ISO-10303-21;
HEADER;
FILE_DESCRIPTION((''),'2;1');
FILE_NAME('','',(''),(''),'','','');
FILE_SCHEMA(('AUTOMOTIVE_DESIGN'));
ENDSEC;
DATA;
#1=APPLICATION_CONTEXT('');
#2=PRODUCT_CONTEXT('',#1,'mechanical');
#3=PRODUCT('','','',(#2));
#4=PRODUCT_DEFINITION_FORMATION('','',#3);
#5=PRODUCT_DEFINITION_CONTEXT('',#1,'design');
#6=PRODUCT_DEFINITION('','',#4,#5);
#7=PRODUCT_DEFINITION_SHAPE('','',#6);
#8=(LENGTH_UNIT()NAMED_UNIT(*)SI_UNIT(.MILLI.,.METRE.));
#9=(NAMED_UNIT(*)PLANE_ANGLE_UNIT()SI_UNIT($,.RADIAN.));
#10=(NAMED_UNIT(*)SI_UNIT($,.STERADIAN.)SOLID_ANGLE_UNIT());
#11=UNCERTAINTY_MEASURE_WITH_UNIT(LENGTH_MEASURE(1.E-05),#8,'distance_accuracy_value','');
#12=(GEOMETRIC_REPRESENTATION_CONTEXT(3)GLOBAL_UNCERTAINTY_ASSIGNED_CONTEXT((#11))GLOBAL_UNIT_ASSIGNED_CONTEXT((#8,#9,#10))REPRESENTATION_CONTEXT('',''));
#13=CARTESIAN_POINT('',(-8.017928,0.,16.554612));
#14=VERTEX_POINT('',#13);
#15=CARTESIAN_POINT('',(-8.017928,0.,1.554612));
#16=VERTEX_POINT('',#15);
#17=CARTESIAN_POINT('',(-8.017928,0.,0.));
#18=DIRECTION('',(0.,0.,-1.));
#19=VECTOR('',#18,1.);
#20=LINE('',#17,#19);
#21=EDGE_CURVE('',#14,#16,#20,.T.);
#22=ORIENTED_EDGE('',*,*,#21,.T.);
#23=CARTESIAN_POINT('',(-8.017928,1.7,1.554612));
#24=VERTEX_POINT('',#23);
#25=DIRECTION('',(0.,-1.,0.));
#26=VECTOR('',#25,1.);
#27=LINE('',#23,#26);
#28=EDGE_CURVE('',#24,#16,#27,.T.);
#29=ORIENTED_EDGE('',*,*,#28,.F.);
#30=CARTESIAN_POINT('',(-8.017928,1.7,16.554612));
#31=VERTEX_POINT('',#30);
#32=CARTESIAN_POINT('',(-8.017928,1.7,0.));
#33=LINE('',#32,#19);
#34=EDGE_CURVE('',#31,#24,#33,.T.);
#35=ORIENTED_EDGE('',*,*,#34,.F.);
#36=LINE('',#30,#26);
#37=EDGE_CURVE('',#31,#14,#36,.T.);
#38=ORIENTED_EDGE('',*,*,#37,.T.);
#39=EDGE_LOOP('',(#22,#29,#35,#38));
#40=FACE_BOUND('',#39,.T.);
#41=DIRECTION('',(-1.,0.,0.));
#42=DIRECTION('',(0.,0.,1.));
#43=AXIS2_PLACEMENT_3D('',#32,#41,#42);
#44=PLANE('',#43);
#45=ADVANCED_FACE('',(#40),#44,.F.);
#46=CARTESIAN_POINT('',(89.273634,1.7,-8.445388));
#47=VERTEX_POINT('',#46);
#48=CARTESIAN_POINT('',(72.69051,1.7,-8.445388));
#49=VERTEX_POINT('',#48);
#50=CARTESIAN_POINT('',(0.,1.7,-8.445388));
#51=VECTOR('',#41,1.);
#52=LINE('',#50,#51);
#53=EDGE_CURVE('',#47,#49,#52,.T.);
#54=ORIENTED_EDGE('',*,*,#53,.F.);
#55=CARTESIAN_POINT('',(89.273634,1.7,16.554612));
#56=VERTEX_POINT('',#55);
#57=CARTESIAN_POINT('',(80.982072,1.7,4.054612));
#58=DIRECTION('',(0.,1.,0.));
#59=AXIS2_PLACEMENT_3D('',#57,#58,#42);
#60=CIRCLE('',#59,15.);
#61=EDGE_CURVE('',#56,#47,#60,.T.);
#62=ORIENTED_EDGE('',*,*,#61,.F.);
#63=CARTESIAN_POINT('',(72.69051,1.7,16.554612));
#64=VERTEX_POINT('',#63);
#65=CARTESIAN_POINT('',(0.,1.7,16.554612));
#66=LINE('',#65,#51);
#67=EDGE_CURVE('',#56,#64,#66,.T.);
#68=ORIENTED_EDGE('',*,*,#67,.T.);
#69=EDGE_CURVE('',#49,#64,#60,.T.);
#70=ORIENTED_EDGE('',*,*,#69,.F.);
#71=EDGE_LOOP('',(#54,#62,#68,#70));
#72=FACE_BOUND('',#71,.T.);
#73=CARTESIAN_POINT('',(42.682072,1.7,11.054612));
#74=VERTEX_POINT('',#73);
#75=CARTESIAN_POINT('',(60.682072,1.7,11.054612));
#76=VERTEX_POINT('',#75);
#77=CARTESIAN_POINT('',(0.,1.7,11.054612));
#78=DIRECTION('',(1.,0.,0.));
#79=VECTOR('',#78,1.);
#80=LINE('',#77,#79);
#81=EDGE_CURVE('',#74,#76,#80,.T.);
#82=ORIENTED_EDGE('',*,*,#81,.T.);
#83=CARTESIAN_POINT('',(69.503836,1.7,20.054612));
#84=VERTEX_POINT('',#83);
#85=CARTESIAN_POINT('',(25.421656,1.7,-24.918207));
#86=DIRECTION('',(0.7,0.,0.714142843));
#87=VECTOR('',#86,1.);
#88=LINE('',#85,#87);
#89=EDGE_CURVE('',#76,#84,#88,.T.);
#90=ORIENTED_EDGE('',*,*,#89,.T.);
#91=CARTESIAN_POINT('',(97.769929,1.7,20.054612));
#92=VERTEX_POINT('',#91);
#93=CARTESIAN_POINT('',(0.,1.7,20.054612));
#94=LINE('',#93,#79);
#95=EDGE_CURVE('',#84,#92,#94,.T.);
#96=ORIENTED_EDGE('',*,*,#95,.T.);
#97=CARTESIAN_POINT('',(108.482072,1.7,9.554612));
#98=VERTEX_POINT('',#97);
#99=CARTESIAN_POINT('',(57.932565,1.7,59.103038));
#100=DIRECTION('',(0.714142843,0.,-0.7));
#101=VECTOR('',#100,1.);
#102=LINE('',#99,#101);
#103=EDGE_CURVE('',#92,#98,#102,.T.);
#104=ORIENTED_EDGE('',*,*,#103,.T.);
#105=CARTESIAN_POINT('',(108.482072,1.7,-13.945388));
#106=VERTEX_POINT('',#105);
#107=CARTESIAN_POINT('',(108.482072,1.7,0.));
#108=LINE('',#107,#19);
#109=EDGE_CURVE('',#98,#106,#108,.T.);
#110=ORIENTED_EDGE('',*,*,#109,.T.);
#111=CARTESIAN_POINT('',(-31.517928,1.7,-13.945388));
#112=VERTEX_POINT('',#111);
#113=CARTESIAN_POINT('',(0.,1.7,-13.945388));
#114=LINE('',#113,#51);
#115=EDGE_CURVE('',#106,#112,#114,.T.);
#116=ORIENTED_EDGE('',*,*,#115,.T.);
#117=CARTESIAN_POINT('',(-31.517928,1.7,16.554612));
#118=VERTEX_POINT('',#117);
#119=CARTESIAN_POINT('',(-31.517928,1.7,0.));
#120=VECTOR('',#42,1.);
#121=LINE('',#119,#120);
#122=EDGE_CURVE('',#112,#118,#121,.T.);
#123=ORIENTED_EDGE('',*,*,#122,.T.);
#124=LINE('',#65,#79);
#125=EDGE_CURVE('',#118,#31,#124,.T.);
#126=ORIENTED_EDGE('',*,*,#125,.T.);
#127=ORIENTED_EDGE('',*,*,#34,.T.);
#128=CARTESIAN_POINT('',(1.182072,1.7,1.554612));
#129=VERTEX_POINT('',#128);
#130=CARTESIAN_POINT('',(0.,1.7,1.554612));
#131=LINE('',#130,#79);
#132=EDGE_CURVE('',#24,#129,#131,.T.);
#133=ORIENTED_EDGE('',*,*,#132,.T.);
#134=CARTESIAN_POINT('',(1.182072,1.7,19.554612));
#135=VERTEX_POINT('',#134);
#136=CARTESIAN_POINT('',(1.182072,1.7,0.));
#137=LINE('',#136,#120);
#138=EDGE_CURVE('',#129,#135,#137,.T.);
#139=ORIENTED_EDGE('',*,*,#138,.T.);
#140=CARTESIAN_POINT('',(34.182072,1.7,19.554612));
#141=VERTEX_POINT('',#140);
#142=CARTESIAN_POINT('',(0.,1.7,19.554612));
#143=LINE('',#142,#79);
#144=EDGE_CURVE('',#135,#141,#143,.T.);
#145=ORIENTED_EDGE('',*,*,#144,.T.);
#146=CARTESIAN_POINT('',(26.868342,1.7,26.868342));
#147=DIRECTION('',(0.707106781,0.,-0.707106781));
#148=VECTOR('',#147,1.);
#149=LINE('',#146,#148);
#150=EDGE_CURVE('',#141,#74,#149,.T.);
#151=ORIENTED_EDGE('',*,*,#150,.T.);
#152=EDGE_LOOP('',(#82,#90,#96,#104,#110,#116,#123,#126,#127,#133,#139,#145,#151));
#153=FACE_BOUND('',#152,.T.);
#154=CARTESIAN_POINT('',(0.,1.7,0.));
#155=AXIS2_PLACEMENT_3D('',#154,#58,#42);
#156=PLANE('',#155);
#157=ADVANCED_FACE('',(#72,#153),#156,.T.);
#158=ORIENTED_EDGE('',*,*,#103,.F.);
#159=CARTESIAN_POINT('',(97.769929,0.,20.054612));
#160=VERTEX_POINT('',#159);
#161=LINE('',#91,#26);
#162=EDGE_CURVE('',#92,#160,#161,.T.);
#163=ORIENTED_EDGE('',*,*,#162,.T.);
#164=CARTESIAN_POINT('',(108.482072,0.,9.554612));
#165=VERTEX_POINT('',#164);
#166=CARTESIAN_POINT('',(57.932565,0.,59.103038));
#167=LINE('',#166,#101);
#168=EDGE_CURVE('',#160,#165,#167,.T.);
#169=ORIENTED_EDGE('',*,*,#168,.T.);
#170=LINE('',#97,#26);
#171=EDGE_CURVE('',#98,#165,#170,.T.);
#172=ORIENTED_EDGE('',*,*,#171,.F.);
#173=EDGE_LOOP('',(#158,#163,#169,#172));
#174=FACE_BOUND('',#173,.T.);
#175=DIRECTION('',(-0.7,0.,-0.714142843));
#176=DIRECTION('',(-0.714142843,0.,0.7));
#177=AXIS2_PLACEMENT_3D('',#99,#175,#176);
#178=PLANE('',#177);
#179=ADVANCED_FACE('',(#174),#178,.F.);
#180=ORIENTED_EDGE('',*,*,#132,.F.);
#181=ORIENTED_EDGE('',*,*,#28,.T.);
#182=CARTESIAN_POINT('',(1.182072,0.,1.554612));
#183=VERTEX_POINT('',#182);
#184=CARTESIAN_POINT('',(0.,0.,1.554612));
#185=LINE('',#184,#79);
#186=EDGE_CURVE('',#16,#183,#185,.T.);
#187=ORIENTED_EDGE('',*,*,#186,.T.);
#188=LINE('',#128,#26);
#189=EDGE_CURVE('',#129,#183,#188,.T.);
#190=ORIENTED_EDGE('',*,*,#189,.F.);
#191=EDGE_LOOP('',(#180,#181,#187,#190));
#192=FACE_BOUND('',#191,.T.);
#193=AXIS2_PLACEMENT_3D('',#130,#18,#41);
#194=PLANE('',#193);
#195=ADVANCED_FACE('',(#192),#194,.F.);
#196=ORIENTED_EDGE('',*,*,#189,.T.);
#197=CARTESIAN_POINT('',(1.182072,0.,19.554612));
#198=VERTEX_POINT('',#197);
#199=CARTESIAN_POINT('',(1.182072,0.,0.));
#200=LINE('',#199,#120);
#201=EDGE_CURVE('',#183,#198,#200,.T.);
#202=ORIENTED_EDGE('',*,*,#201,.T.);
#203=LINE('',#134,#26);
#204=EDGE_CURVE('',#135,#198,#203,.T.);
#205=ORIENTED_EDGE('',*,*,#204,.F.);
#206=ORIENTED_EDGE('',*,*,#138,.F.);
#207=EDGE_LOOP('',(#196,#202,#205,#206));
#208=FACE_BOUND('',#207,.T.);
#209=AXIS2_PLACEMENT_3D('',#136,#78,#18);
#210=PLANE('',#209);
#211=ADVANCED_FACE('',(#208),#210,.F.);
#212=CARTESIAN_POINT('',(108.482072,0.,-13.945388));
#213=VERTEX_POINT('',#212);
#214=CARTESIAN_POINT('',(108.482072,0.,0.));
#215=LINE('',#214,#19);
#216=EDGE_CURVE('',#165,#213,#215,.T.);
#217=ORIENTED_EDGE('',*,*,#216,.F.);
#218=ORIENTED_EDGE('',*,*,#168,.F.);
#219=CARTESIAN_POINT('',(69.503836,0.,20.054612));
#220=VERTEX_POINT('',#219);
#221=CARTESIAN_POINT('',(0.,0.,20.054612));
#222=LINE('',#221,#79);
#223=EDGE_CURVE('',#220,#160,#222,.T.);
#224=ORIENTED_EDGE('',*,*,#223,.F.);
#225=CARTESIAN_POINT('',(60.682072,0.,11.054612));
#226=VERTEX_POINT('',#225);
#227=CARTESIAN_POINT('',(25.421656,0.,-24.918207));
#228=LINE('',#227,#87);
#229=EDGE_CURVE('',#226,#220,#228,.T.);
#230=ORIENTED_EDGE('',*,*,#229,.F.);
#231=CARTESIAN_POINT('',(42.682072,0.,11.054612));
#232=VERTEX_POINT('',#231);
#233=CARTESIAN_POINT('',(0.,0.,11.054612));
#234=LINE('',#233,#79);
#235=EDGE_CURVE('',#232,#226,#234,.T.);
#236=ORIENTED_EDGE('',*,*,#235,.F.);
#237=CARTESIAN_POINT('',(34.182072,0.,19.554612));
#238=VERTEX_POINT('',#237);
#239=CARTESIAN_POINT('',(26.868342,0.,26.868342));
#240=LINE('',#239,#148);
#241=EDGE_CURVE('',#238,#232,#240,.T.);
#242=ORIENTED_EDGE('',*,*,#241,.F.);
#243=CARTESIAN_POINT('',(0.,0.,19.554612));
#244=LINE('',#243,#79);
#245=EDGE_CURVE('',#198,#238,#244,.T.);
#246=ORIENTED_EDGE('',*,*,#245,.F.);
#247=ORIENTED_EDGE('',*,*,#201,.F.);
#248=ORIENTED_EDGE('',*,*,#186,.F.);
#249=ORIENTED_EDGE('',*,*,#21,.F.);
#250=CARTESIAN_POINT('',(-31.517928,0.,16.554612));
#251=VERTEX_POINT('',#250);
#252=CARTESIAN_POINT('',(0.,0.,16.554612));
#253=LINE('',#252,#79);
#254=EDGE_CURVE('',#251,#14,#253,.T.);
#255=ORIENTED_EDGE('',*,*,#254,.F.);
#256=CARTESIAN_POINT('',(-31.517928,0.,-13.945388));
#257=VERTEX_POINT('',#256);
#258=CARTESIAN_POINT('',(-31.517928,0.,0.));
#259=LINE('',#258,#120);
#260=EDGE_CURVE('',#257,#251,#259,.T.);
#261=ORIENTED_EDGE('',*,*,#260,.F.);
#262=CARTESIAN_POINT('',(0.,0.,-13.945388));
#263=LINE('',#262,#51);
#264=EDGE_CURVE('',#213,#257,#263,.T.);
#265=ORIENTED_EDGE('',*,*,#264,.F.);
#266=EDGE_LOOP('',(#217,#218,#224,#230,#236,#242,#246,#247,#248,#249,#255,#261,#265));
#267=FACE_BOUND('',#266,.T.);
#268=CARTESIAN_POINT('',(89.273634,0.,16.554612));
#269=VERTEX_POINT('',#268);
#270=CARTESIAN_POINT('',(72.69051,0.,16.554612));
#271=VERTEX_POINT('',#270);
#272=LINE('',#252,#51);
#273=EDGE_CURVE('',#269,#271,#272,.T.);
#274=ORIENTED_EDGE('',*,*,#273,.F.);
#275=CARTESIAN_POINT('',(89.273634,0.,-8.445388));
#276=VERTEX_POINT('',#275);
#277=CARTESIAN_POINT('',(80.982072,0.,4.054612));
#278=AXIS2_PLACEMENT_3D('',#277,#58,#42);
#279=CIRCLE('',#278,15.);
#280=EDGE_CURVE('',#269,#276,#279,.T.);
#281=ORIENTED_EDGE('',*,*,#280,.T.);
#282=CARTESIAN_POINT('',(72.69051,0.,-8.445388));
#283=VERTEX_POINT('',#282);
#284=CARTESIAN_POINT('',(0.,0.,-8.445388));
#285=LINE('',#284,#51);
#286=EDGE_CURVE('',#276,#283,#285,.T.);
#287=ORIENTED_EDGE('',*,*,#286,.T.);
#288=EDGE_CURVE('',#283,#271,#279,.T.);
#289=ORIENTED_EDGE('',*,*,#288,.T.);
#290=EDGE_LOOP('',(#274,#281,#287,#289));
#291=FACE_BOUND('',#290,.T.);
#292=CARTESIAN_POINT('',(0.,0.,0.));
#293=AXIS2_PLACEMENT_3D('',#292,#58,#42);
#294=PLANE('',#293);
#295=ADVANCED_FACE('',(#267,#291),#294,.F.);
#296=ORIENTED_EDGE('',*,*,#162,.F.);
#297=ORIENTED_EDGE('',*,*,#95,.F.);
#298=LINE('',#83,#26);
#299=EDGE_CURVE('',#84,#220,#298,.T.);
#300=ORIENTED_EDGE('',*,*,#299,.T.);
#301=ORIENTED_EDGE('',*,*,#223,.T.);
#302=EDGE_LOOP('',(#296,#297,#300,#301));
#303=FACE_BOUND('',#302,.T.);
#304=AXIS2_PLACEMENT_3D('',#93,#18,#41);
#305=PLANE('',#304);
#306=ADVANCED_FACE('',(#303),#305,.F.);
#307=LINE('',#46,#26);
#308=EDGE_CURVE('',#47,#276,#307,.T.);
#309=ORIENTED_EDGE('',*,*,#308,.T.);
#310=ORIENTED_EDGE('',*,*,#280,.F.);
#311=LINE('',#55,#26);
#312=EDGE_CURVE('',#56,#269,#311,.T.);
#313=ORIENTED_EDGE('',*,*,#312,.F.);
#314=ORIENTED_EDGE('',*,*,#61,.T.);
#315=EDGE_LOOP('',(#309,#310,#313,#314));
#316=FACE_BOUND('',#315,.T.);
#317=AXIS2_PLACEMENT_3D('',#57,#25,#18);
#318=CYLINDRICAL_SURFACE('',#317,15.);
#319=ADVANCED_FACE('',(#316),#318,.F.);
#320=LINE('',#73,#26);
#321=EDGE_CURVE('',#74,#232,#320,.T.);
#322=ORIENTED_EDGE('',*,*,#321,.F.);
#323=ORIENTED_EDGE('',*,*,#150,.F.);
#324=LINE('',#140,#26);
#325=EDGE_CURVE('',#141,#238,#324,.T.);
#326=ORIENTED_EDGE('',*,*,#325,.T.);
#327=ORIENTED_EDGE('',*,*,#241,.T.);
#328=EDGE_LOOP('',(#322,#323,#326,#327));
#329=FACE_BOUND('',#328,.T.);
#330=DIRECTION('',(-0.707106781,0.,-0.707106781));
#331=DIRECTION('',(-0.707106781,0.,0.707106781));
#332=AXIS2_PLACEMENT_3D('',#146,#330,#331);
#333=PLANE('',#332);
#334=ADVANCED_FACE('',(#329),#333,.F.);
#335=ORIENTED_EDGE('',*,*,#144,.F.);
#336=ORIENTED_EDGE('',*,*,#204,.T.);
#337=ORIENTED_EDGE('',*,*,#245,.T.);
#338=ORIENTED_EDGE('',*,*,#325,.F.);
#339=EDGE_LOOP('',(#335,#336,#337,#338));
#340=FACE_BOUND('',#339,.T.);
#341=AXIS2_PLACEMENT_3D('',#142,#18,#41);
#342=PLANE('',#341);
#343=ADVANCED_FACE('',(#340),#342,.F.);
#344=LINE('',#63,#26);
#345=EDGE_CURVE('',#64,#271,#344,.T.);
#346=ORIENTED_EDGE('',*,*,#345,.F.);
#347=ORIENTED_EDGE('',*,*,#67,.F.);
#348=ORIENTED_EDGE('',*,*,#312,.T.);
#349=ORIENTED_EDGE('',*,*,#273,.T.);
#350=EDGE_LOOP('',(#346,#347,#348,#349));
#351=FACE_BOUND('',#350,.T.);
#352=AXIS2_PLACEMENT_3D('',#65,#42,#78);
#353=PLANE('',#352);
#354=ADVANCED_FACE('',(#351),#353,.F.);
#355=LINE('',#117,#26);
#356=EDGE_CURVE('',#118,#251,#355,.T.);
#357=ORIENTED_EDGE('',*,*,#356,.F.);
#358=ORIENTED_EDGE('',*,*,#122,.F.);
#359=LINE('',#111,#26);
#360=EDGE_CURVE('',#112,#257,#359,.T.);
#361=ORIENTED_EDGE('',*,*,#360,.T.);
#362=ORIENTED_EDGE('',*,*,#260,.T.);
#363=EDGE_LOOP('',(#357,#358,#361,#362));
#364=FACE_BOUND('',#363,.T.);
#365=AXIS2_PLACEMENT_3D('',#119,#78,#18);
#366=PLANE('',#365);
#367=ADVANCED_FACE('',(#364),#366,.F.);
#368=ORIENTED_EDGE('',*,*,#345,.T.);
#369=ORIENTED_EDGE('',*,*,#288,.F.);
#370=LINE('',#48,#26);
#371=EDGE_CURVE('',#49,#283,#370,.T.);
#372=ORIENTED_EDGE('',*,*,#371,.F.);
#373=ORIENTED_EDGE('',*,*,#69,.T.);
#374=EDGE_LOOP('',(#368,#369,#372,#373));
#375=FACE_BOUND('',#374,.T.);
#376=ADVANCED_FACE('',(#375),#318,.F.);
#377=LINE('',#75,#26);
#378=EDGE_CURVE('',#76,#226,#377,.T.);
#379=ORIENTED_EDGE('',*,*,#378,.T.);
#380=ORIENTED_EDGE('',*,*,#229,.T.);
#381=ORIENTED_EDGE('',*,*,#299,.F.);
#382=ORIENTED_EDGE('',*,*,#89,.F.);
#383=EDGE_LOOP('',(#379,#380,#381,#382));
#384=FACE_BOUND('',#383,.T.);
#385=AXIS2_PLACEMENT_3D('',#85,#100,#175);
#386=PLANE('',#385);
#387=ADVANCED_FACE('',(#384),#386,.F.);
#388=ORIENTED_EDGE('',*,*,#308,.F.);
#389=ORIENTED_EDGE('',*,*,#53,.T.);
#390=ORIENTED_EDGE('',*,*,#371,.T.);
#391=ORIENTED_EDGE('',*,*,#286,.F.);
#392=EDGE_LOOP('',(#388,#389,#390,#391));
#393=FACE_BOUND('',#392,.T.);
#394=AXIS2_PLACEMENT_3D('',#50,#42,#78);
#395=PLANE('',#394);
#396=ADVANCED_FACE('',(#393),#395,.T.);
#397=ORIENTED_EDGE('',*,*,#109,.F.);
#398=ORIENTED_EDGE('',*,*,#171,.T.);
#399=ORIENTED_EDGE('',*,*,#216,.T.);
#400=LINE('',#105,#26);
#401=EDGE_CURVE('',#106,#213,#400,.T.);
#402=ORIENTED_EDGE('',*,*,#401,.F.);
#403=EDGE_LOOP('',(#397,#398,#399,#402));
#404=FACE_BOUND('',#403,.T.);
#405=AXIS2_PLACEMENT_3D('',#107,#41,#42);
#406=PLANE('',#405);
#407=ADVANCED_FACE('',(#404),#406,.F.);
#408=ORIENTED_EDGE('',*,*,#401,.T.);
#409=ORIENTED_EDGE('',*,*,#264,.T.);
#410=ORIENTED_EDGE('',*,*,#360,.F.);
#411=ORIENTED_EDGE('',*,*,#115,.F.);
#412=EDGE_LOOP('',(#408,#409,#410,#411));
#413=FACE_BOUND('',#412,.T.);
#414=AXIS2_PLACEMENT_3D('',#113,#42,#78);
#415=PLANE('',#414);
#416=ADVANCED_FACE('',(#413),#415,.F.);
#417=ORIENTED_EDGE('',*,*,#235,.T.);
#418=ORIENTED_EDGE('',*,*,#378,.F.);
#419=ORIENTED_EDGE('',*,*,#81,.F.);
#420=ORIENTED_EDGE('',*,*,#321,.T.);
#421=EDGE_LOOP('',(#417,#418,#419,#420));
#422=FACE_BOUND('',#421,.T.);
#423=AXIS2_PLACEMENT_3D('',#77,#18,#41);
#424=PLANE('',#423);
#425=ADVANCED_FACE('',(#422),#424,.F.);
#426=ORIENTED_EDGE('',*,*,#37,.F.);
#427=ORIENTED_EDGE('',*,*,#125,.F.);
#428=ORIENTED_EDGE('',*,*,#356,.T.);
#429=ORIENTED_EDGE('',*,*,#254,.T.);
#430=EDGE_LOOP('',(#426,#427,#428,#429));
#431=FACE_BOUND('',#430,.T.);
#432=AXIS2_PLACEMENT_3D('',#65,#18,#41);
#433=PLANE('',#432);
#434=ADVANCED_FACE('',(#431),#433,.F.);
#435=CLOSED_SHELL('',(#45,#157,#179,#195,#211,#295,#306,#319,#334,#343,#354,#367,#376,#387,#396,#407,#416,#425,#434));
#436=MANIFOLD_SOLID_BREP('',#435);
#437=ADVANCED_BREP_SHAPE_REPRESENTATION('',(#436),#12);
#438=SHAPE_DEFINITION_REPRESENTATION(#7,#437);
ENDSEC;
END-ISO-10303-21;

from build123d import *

# Parameters (mm, degrees)
BOSS_EXTRUDE1_DEPTH = 1.7


with BuildPart() as part:
    # Sketch1 → Boss-Extrude1 (new body)
    with BuildSketch(Plane(origin=(0, 0, 0), x_dir=(1, 0, 0), z_dir=(0, 1, 0))):
        Polygon((-8.017928363, -16.55461165), (-8.017928363, -1.55461165), (1.182071637, -1.55461165), (1.182071637, -19.55461165), (34.182071637, -19.55461165), (42.682071637, -11.05461165), (60.682071637, -11.05461165), (69.503836167, -20.05461165), (97.769928994, -20.05461165), (108.482071637, -9.55461165), (108.482071637, 13.94538835), (-31.517928363, 13.94538835), (-31.517928363, -16.55461165), align=None)
        with BuildLine():
            ThreePointArc((72.690509661, 8.44538835), (65.982071637, -4.05461165), (72.690509661, -16.55461165))
            Line((72.690509661, -16.55461165), (89.273633613, -16.55461165))
            ThreePointArc((89.273633613, -16.55461165), (95.982071637, -4.05461165), (89.273633613, 8.44538835))
            Line((89.273633613, 8.44538835), (72.690509661, 8.44538835))
        make_face(mode=Mode.SUBTRACT)
    extrude(amount=BOSS_EXTRUDE1_DEPTH)


solid = part.part
